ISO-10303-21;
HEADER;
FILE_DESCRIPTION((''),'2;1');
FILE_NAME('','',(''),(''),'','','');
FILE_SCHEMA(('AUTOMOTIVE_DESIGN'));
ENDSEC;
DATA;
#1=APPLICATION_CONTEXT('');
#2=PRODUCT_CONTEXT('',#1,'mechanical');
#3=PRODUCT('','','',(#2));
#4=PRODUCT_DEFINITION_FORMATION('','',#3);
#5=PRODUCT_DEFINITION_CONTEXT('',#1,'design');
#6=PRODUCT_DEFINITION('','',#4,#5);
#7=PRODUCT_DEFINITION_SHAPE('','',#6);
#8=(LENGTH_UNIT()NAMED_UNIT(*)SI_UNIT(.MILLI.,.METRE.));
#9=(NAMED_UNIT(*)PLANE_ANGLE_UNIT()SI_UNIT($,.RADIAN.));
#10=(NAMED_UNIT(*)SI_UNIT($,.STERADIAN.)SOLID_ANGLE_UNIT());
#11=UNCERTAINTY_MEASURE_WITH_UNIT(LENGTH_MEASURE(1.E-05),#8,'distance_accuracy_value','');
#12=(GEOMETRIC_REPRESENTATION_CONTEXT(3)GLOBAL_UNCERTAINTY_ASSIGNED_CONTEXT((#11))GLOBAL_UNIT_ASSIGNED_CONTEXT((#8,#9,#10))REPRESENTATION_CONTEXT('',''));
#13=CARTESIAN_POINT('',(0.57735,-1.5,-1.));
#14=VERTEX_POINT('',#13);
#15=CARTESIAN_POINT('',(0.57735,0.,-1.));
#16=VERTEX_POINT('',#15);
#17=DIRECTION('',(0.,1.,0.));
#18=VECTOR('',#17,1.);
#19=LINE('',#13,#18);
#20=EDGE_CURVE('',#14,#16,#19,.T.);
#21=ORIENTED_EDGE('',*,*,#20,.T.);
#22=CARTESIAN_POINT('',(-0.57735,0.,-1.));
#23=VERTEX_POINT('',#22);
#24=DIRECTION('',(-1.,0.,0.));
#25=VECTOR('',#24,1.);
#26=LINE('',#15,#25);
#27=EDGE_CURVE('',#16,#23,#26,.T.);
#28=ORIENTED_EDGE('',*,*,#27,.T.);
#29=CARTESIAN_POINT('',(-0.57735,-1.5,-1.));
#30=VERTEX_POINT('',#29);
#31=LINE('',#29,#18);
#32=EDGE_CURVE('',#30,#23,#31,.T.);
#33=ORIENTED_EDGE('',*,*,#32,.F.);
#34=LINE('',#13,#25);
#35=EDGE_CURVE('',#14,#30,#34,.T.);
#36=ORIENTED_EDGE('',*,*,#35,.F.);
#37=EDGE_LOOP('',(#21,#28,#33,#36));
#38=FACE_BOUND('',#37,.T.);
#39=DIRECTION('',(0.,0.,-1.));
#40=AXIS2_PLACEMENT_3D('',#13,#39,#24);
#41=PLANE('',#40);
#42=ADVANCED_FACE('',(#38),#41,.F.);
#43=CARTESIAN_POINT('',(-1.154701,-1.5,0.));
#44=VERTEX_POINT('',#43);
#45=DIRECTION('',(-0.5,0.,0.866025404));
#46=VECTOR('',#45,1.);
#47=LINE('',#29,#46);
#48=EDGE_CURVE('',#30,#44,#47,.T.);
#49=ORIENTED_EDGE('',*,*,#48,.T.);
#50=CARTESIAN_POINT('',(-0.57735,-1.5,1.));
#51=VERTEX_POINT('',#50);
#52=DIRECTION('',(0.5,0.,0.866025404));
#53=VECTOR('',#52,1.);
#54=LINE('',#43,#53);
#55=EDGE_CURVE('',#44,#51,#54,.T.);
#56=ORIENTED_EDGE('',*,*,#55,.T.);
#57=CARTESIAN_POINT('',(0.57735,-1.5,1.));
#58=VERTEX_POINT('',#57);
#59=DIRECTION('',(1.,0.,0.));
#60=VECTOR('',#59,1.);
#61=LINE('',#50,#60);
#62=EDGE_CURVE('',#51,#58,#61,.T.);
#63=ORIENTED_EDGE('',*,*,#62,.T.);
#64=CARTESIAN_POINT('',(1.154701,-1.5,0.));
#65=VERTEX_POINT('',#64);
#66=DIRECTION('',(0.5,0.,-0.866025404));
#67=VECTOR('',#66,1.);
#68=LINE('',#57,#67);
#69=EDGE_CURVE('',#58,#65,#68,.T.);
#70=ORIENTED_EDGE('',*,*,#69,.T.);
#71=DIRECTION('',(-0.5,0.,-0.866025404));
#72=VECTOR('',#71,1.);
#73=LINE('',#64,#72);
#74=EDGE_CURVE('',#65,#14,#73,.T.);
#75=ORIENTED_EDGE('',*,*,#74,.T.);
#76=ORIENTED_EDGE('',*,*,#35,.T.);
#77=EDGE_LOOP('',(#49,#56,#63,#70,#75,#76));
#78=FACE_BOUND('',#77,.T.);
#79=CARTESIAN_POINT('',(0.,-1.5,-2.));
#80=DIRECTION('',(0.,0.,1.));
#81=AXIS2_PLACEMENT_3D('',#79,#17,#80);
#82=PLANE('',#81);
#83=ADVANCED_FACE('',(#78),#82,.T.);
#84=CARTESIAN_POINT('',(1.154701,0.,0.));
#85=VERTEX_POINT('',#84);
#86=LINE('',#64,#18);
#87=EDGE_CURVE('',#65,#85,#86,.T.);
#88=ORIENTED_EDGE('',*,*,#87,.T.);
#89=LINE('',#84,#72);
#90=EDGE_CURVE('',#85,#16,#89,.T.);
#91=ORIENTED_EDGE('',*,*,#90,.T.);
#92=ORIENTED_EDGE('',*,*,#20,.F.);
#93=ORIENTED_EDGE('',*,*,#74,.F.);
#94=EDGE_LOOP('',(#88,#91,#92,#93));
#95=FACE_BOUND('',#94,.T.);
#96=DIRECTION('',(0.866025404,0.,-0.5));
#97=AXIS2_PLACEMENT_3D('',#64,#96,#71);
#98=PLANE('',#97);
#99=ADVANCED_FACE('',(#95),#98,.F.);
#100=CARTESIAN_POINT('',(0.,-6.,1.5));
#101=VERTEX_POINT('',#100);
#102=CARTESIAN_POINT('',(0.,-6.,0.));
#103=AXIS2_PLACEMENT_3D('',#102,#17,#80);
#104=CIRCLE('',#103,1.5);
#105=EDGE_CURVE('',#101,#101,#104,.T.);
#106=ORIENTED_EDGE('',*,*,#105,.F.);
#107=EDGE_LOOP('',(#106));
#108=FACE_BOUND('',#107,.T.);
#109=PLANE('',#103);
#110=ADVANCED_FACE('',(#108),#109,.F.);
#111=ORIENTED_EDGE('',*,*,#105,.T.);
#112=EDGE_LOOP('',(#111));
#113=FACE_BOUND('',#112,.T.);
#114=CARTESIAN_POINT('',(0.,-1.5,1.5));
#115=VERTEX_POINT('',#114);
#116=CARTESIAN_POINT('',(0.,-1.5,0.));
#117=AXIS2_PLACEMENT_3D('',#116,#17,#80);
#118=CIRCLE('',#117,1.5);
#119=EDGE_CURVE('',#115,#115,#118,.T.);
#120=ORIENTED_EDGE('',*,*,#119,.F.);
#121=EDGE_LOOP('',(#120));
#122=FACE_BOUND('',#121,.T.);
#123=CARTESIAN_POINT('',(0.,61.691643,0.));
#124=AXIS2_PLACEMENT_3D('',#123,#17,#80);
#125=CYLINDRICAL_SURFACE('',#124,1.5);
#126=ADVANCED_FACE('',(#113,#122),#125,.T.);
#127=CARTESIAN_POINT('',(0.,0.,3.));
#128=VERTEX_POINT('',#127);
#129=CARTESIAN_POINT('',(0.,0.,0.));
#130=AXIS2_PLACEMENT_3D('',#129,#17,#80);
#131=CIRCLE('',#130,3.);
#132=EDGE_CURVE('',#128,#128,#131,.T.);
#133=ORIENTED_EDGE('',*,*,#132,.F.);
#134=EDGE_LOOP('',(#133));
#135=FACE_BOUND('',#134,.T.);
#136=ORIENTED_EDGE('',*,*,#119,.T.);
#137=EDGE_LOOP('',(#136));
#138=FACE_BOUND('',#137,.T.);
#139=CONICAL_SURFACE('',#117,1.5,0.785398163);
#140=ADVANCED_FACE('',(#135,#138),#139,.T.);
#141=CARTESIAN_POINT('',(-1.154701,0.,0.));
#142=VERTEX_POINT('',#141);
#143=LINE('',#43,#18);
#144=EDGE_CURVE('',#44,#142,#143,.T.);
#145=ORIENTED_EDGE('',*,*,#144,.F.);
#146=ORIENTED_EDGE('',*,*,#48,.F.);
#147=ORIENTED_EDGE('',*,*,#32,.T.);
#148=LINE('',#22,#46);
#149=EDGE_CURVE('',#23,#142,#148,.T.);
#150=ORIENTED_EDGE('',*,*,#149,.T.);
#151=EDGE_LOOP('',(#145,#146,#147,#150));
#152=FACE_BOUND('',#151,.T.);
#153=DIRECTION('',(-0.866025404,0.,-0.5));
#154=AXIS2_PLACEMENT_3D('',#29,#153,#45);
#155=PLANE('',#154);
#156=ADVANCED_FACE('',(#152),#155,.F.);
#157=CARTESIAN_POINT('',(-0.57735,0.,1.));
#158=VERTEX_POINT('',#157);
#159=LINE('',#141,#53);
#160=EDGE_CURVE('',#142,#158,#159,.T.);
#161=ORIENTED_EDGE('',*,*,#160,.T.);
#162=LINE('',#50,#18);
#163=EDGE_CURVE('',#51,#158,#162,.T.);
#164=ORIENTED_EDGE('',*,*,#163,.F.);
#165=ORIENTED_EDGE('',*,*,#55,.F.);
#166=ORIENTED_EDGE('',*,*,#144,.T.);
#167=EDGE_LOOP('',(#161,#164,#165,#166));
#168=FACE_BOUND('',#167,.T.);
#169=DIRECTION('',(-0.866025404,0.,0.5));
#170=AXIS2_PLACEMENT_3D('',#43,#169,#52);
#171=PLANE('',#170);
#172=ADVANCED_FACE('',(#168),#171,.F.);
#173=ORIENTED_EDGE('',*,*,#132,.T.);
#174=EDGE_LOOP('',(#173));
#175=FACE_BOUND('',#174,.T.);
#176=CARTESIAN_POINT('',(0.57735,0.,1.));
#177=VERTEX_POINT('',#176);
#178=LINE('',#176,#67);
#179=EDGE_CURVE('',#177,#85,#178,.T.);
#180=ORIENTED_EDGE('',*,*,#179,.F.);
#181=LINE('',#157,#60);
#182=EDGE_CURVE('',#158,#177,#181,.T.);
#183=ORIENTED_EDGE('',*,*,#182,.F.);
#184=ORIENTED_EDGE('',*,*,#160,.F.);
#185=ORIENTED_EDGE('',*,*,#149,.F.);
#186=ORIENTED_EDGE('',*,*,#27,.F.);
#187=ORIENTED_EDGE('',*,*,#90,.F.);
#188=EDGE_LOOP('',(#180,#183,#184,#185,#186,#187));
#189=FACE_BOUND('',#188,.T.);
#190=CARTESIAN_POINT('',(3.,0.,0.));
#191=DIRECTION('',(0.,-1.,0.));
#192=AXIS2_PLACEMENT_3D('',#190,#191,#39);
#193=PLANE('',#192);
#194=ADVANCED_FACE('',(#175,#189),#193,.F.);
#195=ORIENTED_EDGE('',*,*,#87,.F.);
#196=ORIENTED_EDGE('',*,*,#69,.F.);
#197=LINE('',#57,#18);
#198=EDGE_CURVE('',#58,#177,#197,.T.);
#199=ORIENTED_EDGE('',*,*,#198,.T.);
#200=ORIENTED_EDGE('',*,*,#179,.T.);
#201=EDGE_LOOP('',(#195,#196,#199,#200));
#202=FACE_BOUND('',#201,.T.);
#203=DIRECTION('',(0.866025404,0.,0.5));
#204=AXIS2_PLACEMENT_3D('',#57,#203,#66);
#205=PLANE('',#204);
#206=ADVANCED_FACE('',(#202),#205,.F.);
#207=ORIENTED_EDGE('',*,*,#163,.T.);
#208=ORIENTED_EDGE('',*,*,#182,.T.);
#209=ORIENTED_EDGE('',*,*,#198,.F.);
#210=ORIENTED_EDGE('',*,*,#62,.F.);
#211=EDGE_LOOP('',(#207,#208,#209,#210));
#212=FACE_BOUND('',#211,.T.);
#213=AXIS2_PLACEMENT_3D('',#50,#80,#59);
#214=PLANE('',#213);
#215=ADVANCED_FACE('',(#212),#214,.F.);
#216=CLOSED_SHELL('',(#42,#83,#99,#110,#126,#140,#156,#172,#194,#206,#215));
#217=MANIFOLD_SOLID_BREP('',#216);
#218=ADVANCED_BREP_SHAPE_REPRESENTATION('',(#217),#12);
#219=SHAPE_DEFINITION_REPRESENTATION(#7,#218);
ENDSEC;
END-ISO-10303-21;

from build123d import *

# Parameters (mm, degrees)
CUT_EXTRUDE1_DEPTH = 1.5


with BuildPart() as part:
    # Sketch1 → Revolve1 (revolve)
    with BuildSketch(Plane.XY, mode=Mode.PRIVATE) as revolve1_sk:
        Polygon((0, -6), (1.5, -6), (1.5, -1.5), (3, 0), (0, 0), align=None)
    revolve(revolve1_sk.sketch.rotate(Axis((0, 61.691642626, 0), (0, -1, 0)), 90), axis=Axis((0, 61.691642626, 0), (0, -1, 0)))

    # Sketch2 → Cut-Extrude1 (cut)
    with BuildSketch(Plane(origin=(0, 0, 0), x_dir=(-1, 0, 0), z_dir=(0, 1, 0))):
        Polygon((-0.577350269, -1), (0.577350269, -1), (1.154700538, 0), (0.577350269, 1), (-0.577350269, 1), (-1.154700538, 0), align=None)
    extrude(amount=-CUT_EXTRUDE1_DEPTH, mode=Mode.SUBTRACT)


solid = part.part
